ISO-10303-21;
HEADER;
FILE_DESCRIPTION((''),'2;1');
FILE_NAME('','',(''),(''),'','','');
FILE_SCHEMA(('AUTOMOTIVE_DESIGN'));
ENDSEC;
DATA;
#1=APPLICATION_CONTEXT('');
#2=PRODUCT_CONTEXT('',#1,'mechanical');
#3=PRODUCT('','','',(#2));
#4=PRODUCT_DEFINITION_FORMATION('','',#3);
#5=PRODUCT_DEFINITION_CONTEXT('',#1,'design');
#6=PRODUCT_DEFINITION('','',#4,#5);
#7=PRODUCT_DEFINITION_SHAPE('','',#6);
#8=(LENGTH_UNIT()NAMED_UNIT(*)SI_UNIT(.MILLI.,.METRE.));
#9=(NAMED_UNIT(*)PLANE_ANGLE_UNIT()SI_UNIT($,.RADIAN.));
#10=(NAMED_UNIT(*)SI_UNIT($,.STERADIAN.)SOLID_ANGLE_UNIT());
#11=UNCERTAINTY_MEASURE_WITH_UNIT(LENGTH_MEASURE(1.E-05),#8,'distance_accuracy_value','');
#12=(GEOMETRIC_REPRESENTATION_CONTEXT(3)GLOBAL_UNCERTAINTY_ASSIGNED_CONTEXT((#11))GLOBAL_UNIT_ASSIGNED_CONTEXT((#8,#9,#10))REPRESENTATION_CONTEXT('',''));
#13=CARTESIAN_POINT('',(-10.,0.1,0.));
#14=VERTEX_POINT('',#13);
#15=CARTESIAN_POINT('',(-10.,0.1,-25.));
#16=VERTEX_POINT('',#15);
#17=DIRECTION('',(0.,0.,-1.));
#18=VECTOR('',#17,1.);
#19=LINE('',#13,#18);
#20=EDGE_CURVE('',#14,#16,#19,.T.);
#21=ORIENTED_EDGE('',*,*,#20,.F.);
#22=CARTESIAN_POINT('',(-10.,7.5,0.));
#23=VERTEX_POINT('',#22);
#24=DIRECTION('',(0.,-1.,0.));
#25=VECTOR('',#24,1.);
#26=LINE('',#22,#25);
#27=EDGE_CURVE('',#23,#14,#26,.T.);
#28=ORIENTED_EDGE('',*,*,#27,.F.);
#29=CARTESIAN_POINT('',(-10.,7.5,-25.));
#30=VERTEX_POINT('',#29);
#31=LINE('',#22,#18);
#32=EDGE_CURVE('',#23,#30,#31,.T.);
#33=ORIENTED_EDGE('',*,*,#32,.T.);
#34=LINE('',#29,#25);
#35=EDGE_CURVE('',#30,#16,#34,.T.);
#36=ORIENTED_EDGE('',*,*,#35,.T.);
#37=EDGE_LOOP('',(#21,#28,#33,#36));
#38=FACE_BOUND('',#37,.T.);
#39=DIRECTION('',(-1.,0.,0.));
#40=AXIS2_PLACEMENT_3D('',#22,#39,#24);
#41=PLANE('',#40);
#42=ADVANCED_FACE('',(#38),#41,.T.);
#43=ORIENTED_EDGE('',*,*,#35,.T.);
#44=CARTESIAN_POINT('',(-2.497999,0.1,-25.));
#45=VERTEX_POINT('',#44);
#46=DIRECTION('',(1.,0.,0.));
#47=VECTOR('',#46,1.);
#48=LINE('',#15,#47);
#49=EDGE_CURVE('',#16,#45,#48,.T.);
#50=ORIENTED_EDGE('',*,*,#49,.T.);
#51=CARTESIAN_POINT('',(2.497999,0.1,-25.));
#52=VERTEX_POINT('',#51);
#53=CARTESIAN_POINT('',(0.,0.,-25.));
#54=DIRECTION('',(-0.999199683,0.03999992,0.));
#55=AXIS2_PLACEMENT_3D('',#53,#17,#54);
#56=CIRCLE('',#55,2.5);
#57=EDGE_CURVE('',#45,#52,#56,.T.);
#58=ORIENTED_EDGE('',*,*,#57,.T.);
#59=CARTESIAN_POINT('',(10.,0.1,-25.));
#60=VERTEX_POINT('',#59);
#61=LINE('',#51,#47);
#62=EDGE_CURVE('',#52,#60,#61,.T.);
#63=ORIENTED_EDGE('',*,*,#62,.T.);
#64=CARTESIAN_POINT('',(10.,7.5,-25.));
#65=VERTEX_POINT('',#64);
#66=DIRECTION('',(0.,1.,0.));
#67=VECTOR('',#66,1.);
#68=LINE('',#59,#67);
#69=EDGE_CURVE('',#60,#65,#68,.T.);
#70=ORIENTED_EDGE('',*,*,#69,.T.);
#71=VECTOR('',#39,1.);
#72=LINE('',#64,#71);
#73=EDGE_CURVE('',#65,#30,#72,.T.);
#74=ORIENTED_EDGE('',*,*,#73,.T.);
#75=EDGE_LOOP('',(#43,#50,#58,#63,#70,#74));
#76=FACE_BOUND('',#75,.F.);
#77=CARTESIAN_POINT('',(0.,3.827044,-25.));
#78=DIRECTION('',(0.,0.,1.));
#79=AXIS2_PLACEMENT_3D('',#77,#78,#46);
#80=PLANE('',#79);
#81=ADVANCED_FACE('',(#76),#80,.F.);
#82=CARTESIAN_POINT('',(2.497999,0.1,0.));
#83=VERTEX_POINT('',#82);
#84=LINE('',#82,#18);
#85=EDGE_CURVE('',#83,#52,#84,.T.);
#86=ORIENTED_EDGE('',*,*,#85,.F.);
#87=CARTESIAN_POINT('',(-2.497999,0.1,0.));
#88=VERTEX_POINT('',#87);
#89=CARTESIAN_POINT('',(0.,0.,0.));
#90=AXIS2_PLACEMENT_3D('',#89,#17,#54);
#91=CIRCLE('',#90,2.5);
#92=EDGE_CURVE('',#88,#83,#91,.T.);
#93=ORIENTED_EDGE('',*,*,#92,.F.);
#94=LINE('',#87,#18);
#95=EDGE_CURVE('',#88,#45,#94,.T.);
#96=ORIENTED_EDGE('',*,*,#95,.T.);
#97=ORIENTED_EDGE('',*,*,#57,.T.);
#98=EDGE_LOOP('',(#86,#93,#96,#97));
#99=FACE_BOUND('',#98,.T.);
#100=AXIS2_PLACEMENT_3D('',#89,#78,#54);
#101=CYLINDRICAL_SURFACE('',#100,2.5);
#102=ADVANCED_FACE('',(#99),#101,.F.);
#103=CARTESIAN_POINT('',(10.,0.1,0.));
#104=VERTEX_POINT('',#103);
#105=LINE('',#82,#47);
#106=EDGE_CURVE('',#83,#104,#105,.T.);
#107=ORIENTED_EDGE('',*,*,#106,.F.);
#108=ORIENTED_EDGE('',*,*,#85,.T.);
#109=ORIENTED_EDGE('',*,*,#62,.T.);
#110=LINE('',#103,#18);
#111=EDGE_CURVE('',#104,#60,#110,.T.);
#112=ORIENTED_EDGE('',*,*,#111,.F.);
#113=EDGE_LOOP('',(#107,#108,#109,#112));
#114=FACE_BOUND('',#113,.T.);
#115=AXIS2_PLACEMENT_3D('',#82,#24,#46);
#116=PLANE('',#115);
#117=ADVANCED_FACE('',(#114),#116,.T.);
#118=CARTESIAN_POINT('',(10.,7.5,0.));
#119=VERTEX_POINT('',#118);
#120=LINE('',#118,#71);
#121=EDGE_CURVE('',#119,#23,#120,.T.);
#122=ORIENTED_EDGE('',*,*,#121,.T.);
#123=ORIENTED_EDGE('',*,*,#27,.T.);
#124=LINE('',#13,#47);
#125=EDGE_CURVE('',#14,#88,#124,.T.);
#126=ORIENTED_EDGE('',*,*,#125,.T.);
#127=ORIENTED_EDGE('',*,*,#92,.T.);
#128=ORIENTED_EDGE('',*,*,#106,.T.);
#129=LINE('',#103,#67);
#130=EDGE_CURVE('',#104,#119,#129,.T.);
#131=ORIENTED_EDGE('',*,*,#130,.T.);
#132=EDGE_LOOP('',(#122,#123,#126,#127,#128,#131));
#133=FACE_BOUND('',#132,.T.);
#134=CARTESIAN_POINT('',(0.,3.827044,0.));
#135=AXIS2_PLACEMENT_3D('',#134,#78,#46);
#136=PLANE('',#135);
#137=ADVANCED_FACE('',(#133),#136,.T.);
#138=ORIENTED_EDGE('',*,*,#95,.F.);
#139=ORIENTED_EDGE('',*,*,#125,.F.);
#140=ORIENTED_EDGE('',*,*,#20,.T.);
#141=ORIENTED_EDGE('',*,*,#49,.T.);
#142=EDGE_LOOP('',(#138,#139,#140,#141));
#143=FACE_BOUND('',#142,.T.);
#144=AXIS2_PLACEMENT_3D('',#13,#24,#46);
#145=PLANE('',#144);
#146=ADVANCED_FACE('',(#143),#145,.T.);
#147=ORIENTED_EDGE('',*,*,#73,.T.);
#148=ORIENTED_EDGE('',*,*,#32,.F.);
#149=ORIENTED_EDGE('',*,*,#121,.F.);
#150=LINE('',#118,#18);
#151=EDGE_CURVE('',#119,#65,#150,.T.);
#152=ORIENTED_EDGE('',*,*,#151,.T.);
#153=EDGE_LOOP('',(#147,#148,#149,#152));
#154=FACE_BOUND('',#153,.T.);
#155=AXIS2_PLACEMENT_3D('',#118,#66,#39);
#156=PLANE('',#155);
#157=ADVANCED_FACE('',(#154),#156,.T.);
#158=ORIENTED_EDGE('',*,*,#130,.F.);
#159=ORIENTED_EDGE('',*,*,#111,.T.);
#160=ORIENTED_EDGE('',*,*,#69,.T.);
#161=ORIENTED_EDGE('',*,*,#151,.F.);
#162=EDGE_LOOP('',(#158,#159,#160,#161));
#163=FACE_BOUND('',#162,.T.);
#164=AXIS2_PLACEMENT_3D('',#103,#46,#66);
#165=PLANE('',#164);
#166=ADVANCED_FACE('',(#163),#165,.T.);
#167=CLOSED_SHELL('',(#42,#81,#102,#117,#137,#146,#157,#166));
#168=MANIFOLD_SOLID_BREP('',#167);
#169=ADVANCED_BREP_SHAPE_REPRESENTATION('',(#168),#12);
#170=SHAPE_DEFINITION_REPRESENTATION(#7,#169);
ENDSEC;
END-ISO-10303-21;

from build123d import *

# Parameters (mm, degrees)
F1_DEPTH = 25


with BuildPart() as f1:
    # F0 (on Top) → F1 (new body)
    with BuildSketch(Plane.XY):
        with BuildLine():
            Line((10, 0.1), (10, 7.5))
            Line((10, 7.5), (-10, 7.5))
            Line((-10, 7.5), (-10, 0.1))
            Line((-10, 0.1), (-2.497999, 0.1))
            ThreePointArc((-2.497999, 0.1), (0, 2.5), (2.497999, 0.1))
            Line((2.497999, 0.1), (10, 0.1))
        make_face()
    extrude(amount=-F1_DEPTH)


solid = f1.part
